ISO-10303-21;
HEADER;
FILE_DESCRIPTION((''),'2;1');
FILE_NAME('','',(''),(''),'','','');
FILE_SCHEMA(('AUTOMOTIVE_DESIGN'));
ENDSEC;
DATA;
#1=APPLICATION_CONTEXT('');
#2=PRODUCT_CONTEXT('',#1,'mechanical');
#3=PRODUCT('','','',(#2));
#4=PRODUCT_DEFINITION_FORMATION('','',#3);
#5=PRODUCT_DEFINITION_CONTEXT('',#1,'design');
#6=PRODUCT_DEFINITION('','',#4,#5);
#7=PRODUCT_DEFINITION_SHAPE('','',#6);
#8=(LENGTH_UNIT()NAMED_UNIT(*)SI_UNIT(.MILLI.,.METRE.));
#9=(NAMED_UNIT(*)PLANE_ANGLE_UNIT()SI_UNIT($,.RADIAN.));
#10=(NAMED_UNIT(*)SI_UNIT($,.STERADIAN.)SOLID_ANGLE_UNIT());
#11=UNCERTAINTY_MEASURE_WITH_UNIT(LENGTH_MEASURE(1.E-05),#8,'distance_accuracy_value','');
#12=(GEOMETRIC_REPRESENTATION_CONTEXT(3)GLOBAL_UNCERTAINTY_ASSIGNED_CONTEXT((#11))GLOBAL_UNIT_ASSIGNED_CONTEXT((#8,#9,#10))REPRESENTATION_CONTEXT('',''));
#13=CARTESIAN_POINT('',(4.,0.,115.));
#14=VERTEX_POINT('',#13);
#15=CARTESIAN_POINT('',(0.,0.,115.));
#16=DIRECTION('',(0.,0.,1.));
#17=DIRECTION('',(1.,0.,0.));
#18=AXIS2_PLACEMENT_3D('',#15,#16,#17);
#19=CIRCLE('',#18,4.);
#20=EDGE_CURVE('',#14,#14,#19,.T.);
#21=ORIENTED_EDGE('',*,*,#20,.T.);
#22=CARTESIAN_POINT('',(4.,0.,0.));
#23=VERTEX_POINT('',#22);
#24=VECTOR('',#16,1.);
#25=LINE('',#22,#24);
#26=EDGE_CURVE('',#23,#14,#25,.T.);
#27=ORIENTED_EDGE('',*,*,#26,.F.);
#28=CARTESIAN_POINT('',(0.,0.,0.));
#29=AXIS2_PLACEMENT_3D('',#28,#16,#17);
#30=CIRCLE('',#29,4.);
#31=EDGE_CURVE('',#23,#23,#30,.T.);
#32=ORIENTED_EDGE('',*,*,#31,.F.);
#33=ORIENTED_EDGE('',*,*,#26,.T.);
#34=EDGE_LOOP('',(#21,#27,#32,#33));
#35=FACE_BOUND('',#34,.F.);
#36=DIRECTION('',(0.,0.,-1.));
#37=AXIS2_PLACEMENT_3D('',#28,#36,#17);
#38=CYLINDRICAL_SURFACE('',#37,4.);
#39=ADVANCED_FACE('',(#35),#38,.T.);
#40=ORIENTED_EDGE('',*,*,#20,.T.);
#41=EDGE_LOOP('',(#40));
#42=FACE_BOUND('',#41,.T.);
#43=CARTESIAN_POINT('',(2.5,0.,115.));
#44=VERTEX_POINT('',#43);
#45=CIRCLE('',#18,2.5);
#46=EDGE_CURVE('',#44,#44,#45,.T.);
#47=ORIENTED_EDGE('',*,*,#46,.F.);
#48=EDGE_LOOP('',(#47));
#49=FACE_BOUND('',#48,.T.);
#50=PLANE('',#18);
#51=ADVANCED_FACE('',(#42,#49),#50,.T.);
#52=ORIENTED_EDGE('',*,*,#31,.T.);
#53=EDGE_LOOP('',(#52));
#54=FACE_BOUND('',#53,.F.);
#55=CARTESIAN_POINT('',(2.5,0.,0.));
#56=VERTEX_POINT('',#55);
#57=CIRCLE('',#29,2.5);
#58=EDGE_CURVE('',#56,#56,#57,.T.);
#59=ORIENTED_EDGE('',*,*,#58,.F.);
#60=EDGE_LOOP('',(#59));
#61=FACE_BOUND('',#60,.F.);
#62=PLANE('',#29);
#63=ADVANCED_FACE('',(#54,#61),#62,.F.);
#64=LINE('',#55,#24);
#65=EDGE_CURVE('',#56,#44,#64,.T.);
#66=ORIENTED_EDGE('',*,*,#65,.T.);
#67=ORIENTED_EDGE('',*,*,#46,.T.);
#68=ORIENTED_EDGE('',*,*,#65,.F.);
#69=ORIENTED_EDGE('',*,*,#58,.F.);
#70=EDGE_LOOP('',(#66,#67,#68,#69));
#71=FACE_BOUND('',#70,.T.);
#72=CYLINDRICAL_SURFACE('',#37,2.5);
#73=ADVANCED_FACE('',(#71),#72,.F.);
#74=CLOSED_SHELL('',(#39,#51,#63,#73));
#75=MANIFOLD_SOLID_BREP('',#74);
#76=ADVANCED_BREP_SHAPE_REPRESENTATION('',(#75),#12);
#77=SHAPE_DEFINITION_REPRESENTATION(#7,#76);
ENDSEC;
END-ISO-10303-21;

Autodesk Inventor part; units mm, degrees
ref_plane "YZ Plane" through (0, 0, 0) normal (1, 0, 0) x (0, 1, 0)
ref_plane "XZ Plane" through (0, 0, 0) normal (0, 1, 0) x (-1, 0, 0)
ref_plane "XY Plane" through (0, 0, 0) normal (0, 0, 1) x (1, 0, 0)
sketch "Эскиз1" plane through (0, 0, 0) normal (0, 0, 1) x (1, 0, 0)
  circle A0 centre (0, 0) radius 2.5
  circle A1 centre (0, 0) radius 4
  dimension "d0" = 5
  dimension "d1" = 8
extrude "Выдавливание1" add sketch "Эскиз1" along normal blind 115
properties part number "Трубка винта"
